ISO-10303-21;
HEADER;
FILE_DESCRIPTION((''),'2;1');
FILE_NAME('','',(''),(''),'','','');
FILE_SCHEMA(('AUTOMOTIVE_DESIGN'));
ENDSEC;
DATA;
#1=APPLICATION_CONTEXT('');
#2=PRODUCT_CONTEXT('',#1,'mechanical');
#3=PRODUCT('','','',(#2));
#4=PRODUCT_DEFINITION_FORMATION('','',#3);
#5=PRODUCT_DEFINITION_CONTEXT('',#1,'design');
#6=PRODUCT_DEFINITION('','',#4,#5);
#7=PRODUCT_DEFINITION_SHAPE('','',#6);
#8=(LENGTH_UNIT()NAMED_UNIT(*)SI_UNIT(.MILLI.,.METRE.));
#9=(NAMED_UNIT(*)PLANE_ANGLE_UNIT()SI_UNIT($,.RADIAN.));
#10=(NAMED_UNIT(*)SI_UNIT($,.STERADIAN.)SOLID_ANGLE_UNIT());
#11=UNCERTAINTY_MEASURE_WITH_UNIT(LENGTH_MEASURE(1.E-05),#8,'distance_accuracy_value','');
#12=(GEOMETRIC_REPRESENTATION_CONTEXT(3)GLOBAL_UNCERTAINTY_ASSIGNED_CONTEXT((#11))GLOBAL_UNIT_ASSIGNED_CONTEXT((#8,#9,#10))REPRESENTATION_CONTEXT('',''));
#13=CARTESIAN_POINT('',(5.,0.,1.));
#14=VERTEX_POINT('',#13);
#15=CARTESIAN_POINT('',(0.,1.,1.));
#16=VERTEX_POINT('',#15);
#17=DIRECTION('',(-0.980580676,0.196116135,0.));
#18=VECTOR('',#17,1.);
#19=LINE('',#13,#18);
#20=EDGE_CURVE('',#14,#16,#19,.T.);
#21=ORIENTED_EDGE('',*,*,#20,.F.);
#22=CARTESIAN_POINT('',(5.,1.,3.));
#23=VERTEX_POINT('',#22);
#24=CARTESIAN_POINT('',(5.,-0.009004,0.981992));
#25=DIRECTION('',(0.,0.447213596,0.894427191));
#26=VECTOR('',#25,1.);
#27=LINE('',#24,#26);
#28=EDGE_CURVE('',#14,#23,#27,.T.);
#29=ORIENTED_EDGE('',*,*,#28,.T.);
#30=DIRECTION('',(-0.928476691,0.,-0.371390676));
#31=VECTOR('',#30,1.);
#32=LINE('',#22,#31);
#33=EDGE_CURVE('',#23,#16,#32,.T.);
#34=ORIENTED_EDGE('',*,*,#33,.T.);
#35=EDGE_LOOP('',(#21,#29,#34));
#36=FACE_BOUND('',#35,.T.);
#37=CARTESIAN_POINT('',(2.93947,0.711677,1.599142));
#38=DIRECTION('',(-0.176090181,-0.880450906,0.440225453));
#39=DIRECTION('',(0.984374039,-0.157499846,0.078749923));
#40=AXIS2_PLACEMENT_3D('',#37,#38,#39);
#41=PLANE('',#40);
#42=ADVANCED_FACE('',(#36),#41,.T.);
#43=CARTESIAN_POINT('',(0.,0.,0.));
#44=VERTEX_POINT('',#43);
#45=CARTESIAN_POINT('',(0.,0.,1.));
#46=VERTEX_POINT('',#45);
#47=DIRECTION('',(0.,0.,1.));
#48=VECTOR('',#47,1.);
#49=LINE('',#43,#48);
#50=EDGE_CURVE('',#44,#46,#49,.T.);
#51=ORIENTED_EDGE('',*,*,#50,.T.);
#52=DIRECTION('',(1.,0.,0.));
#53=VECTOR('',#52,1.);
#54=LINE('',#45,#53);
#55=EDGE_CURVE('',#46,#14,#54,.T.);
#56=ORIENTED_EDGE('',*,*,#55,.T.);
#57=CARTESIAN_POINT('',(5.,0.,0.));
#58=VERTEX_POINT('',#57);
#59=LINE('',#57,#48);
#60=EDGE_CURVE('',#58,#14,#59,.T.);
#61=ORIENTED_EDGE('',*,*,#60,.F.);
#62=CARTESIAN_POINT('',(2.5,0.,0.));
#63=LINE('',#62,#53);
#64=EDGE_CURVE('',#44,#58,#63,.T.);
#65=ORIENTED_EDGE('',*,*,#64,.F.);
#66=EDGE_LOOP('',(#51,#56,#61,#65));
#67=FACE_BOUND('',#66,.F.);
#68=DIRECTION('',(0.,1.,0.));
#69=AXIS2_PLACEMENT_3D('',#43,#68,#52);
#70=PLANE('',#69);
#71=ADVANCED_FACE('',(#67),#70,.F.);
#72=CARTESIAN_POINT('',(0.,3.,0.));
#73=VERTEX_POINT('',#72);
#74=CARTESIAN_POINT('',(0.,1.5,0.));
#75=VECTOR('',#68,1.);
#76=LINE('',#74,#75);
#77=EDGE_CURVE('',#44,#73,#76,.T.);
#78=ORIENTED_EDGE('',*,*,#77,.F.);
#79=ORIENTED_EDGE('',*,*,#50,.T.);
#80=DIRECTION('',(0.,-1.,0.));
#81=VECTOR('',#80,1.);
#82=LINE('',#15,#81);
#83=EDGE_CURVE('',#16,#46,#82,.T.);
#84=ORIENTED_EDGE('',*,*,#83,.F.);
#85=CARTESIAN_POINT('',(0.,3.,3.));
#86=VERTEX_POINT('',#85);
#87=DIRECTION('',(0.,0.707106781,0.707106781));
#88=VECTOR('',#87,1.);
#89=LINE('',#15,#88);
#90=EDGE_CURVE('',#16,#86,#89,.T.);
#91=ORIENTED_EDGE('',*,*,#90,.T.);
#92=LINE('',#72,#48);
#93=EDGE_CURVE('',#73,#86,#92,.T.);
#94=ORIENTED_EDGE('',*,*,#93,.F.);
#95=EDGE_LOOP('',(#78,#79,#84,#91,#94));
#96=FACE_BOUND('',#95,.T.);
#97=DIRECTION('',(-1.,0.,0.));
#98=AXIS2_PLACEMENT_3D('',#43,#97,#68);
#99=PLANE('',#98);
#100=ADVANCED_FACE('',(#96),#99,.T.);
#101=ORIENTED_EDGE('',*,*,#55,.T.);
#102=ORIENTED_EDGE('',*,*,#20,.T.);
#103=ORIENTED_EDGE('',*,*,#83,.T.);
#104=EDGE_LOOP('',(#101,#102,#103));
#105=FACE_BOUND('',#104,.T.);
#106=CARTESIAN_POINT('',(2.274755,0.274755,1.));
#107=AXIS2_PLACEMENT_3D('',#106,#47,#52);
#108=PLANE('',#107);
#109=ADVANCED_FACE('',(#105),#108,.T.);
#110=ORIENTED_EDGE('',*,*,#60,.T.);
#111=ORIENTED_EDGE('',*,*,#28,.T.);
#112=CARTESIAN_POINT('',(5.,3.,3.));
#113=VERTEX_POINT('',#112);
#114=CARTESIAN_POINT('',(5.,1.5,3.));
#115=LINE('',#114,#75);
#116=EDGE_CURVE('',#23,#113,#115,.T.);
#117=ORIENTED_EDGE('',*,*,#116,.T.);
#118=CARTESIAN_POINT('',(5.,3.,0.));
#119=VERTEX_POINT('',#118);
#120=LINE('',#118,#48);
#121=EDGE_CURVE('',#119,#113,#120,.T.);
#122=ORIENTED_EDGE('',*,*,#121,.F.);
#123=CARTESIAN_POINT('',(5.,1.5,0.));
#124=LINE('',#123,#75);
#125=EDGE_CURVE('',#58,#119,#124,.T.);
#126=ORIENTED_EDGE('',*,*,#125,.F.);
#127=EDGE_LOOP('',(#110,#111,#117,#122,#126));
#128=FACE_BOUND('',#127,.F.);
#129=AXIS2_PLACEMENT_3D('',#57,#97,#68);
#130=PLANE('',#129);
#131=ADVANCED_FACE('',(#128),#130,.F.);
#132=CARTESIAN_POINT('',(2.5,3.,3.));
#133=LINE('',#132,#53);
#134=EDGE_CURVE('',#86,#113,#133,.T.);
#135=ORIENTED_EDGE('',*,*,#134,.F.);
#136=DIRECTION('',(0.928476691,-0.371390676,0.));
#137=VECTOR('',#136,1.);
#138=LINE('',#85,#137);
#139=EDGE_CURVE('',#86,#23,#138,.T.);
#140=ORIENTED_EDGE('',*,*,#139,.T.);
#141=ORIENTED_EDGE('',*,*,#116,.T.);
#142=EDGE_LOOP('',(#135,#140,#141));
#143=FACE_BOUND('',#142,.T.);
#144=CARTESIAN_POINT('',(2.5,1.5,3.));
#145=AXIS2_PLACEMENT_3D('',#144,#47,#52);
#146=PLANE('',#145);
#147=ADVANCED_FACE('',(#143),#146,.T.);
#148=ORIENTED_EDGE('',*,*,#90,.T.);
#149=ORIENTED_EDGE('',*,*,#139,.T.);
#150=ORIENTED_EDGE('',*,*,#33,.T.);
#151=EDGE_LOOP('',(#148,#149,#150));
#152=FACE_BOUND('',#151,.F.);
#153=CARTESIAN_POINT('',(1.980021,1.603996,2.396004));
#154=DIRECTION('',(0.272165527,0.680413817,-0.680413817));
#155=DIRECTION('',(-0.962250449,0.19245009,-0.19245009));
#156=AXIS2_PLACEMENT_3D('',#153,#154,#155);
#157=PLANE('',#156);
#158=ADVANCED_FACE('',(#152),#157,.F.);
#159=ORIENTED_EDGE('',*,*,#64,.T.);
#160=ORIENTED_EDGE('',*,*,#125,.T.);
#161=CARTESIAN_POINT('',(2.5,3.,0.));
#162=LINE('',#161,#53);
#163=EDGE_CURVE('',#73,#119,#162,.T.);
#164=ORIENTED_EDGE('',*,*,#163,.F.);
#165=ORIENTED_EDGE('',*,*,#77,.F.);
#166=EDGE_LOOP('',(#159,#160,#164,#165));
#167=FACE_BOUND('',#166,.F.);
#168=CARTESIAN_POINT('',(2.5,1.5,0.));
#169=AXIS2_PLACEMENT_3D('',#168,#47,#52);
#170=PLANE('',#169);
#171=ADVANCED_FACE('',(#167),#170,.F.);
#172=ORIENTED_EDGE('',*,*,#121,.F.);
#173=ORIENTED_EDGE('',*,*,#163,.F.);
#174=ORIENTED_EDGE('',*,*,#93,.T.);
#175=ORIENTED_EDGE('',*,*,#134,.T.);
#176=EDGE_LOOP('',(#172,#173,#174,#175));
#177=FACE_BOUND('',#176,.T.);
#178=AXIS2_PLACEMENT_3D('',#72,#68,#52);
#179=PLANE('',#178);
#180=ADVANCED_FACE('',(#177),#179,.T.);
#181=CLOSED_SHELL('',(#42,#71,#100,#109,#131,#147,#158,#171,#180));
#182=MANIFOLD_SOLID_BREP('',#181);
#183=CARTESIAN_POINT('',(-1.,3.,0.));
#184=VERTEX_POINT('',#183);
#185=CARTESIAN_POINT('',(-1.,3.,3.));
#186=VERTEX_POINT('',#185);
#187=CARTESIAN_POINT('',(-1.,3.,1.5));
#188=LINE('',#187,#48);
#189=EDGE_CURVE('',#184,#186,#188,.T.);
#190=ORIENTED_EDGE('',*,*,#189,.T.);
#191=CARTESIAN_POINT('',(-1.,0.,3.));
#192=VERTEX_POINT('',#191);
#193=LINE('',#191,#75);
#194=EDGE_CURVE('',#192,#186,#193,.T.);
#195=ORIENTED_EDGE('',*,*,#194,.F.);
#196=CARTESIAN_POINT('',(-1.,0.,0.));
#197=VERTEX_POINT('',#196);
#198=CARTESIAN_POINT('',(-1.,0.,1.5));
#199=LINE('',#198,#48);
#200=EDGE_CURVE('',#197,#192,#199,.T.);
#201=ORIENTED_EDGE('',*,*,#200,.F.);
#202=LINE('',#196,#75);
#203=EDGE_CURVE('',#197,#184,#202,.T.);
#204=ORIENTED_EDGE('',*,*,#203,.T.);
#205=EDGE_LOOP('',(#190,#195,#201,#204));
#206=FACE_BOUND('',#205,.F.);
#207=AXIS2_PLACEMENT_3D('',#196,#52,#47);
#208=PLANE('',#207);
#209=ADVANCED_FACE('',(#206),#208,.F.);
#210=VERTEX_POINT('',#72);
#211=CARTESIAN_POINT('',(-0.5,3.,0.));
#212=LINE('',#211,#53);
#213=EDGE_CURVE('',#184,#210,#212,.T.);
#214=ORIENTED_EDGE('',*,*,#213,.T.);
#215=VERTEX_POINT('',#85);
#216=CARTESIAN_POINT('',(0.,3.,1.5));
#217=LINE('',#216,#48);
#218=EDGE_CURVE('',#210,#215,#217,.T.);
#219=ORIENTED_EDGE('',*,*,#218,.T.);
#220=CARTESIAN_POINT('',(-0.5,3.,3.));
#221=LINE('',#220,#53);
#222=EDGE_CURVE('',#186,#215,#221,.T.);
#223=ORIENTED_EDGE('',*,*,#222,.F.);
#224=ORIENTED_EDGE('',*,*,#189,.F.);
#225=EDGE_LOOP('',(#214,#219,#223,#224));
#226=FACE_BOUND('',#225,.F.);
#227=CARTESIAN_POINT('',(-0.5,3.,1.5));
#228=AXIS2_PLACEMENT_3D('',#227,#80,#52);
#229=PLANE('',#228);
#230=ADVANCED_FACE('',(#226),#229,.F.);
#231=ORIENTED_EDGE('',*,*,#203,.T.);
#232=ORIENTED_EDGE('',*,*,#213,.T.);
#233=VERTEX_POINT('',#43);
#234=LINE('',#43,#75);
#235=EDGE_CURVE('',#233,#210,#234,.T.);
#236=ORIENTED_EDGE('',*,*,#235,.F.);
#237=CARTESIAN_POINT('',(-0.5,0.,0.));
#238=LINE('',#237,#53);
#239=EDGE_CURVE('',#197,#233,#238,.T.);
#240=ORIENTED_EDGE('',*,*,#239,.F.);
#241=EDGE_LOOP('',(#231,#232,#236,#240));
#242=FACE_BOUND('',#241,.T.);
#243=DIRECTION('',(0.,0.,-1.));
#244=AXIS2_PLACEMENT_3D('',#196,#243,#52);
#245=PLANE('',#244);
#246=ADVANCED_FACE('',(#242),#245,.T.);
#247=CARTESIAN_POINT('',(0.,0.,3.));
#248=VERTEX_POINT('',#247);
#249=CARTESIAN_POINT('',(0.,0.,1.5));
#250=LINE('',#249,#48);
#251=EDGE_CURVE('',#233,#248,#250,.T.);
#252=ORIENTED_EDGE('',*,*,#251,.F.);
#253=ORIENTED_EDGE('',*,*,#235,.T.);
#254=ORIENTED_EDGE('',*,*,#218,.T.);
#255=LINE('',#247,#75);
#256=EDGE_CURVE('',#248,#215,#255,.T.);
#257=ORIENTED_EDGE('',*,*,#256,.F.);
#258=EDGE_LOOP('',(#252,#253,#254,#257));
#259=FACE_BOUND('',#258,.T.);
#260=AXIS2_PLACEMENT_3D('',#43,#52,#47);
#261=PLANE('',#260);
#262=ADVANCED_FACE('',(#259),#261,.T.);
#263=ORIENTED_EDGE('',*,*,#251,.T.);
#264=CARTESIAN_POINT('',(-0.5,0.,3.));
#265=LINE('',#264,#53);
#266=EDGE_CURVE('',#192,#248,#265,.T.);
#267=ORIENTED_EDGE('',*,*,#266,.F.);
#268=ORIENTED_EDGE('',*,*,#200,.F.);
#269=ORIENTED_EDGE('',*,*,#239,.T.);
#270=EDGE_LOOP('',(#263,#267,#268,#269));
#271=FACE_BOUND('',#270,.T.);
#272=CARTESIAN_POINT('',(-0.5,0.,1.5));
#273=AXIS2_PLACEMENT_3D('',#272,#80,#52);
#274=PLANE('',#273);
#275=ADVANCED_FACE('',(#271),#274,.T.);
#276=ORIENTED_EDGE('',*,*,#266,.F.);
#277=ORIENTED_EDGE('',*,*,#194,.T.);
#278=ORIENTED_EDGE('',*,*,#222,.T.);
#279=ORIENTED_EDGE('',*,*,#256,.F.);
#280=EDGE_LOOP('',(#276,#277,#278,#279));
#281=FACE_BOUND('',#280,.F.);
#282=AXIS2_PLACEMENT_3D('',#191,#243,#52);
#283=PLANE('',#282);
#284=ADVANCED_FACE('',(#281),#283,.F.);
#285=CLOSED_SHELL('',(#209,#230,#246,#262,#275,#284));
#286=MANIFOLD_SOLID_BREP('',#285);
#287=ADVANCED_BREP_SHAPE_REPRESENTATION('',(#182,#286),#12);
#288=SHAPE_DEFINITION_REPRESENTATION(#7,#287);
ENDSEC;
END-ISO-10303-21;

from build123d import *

# Parameters (mm, degrees)
F0_W      = 5
F0_H      = 3
F1_DEPTH  = 3
F3_DEPTH  = 2
F6_W      = 1.736291251
F6_H      = 2.2360679775
F7_DEPTH  = 25
F10_DEPTH = 25
F11_W     = 1
F11_H     = 3
F12_DEPTH = 3


with BuildPart() as f1:
    # F0 (on Top) → F1 (new body)
    with BuildSketch(Plane.XY):
        with Locations((2.5, 1.5)):
            Rectangle(F0_W, F0_H)
    extrude(amount=F1_DEPTH)

    # F2 (on face) → F3 (cut)
    with BuildSketch(Plane.XY.offset(3)):
        Polygon((0, 1), (0, 0), (5, 0), align=None)
    extrude(amount=-F3_DEPTH, mode=Mode.SUBTRACT)

    # F6 (on 3pt) → F7 (cut)
    with BuildSketch(Plane(origin=(0.0775193798, 0.3875968992, -0.1937984496), x_dir=(0.9843740387, -0.1574998462, 0.0787499231), z_dir=(-0.1760901813, -0.8804509063, 0.4402254532))):
        Polygon((5.0006201166, 3.1304951685), (-0.0787499231, 1.3416407865), (5.0006201166, 0.894427191), align=None)
        with Locations((5.8687657421, 2.0124611797)):
            Rectangle(F6_W, F6_H)
    extrude(amount=F7_DEPTH, mode=Mode.SUBTRACT)

    # F9 (on 3pt) → F10 (cut)
    with BuildSketch(Plane(origin=(0, 0, 0), x_dir=(-0.9622504486, 0.1924500897, -0.1924500897), z_dir=(0.272165527, 0.6804138174, -0.6804138174))):
        Polygon((0, 1.4142135624), (0, 4.2426406871), (-5.1961524227, 2.8284271247), align=None)
        Polygon((-5.1961524227, 1.5010309871), (0, 1.4142135624), (-5.1961524227, 2.8284271247), align=None)
    extrude(amount=-F10_DEPTH, mode=Mode.SUBTRACT)


with BuildPart() as f12:
    # F11 (on Front) → F12 (new body)
    with BuildSketch(Plane.XZ):
        with Locations((-0.5, 1.5)):
            Rectangle(F11_W, F11_H)
    extrude(amount=-F12_DEPTH)


solid = Compound([f1.part, f12.part])
